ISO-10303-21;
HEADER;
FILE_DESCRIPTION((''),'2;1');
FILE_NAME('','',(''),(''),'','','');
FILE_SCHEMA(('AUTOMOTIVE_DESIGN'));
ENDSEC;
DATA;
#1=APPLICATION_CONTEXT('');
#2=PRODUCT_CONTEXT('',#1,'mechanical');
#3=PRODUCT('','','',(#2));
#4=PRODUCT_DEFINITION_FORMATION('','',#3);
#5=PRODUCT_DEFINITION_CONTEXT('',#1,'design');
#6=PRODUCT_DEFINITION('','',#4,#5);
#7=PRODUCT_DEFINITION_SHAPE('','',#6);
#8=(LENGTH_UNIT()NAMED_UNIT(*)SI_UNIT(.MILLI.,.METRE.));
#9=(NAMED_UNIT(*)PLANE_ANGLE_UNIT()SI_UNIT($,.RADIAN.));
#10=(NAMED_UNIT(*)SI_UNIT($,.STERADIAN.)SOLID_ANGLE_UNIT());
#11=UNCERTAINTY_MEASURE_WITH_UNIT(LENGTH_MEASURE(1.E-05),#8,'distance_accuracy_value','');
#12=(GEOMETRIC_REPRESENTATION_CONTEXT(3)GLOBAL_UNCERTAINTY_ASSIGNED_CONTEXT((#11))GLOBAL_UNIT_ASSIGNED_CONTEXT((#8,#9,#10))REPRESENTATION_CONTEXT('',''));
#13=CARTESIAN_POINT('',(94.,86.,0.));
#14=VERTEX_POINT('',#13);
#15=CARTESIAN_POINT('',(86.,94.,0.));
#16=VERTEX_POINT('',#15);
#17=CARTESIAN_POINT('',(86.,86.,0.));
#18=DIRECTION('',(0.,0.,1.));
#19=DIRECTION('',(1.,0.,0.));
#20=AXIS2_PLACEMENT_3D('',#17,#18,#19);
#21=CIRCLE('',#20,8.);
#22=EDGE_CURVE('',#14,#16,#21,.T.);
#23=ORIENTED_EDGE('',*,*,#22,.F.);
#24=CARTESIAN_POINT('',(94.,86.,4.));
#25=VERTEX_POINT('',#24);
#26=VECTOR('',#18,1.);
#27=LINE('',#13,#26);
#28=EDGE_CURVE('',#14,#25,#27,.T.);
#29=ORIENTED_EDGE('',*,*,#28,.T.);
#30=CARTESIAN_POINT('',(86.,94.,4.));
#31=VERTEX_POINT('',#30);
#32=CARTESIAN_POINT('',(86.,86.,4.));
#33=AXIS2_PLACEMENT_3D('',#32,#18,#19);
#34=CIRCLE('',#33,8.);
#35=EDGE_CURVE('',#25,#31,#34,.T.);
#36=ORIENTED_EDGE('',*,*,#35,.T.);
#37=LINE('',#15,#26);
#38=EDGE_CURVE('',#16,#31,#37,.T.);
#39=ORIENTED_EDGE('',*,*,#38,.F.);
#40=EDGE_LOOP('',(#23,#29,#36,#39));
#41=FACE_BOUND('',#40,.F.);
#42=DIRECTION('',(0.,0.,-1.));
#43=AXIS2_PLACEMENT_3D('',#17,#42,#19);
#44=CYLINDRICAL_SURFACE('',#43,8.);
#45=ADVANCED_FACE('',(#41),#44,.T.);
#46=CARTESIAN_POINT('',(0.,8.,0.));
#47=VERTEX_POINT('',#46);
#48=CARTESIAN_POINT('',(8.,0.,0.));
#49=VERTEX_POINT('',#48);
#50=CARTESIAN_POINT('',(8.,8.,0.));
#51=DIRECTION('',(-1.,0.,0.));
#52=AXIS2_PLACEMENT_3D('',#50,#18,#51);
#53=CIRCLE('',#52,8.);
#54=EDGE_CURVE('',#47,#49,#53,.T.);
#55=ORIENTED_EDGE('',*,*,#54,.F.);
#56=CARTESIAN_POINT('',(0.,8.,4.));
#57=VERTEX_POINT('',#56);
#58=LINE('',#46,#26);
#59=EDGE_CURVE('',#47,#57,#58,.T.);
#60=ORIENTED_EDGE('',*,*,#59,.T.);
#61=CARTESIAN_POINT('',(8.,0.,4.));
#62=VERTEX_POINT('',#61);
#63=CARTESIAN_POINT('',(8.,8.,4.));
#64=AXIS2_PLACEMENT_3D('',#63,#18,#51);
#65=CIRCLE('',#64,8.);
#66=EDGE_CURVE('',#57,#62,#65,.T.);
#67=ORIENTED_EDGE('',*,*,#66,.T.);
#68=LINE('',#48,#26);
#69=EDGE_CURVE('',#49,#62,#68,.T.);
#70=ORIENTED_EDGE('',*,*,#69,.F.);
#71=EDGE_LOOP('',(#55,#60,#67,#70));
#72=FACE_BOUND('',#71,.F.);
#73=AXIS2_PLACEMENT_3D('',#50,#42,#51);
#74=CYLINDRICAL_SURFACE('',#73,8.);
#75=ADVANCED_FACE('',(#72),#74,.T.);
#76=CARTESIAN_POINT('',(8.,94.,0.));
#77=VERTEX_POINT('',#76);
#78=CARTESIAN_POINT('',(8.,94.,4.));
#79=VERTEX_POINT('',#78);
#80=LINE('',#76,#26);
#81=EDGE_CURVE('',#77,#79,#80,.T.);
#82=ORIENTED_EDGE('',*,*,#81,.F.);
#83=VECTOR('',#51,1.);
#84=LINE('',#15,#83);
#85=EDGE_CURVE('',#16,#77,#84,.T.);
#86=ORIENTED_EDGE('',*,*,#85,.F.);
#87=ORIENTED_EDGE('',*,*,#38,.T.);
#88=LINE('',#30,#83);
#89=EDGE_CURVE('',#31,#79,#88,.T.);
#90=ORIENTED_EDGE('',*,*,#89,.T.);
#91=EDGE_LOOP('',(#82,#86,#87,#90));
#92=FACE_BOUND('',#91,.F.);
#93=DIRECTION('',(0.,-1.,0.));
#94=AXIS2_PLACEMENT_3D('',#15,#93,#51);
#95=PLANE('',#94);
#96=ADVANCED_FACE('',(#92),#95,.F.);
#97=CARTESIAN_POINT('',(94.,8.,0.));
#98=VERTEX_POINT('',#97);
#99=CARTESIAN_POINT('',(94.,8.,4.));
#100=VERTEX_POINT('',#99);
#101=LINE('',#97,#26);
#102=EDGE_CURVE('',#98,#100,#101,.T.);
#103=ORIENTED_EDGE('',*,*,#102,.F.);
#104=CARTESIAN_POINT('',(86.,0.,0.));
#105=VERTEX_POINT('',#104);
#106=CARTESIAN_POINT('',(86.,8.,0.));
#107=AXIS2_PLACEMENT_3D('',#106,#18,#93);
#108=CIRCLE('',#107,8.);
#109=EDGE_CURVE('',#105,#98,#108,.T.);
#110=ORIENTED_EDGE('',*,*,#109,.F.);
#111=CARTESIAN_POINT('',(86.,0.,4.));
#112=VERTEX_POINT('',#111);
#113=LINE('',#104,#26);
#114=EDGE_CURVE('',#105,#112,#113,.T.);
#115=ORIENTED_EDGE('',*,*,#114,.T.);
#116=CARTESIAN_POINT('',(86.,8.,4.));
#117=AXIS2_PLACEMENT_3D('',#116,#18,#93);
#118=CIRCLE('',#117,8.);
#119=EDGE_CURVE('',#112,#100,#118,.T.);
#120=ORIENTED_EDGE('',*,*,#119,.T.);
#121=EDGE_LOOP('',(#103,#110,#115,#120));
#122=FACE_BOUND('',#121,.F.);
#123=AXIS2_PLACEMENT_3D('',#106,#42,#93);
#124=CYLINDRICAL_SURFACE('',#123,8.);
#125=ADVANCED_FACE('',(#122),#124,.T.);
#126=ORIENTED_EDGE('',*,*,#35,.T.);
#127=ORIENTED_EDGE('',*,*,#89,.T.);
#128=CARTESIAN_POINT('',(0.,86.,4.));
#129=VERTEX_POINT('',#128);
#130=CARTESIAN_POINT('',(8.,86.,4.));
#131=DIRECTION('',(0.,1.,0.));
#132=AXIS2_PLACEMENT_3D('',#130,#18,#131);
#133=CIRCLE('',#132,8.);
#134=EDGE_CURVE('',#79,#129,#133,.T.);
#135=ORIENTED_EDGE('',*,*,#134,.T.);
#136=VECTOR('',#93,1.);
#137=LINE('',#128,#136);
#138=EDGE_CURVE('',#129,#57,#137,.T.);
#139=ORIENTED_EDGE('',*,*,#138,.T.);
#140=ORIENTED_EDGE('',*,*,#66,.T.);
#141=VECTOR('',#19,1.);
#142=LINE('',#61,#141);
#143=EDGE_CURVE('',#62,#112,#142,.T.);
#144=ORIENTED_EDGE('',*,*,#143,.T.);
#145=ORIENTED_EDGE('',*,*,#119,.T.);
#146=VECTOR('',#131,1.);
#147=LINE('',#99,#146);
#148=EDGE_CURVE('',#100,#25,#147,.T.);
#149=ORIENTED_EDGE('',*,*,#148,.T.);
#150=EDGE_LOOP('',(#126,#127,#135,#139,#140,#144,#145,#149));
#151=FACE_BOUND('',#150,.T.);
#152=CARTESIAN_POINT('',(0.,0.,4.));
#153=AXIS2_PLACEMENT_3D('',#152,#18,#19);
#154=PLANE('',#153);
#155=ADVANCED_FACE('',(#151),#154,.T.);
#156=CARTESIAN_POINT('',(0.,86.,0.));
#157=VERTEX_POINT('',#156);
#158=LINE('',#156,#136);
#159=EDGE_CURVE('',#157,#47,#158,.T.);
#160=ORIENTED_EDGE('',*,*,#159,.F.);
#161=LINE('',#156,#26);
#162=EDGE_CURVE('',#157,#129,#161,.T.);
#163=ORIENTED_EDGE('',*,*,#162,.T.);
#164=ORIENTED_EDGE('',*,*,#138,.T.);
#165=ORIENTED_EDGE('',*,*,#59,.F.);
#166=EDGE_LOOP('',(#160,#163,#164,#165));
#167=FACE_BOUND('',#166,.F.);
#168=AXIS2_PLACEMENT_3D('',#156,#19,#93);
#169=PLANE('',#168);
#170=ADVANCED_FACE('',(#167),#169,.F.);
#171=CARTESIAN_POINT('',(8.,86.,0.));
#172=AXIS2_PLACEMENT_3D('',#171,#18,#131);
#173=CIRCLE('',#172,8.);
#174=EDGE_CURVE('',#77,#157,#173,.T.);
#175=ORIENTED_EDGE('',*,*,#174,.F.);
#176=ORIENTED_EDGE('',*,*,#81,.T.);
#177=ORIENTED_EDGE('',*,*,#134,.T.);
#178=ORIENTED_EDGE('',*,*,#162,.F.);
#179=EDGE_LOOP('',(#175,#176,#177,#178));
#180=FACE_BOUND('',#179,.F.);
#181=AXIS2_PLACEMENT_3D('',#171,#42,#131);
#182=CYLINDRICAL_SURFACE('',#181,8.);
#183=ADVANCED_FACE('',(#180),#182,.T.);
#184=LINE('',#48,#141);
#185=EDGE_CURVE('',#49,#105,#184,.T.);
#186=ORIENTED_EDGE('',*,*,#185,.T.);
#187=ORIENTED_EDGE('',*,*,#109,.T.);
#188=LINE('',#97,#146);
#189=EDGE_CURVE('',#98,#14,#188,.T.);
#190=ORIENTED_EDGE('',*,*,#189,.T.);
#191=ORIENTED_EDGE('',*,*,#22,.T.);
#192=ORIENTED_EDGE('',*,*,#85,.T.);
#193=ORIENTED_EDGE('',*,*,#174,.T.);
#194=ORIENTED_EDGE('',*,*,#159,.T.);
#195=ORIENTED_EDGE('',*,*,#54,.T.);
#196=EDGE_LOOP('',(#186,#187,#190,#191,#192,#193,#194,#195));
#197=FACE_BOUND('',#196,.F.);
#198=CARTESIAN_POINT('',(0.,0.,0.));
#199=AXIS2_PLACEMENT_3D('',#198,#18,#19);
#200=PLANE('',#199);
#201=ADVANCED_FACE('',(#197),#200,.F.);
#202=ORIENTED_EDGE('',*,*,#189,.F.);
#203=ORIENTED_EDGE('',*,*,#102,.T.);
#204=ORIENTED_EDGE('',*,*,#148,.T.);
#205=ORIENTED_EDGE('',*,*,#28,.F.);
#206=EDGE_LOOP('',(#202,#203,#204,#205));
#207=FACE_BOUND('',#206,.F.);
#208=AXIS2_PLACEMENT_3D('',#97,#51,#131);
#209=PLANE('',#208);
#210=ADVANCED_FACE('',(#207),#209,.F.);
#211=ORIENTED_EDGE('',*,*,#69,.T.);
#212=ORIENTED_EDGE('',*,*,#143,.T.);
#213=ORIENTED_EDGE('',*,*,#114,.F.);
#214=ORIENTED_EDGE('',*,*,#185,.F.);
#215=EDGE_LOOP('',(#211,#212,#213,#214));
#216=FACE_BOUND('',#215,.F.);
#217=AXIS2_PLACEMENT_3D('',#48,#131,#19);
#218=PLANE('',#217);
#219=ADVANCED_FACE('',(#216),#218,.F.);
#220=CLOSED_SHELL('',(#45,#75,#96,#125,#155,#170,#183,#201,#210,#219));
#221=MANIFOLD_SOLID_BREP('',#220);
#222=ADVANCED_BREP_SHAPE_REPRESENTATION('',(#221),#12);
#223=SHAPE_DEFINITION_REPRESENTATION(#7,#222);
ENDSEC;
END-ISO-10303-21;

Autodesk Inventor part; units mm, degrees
ref_plane "YZ Plane" through (0, 0, 0) normal (1, 0, 0) x (0, 1, 0)
ref_plane "XZ Plane" through (0, 0, 0) normal (0, 1, 0) x (-1, 0, 0)
ref_plane "XY Plane" through (0, 0, 0) normal (0, 0, 1) x (1, 0, 0)
sketch "Sketch1" plane through (0, 0, 0) normal (0, 0, 1) x (1, 0, 0)
  line L0 (8, 0) -> (86, 0)
  line L1 (94, 8) -> (94, 86)
  line L2 (86, 94) -> (8, 94)
  line L3 (0, 86) -> (0, 8)
  arc A0 (8, 94) -> (0, 86) centre (8, 86) ccw
  arc A1 (94, 86) -> (86, 94) centre (86, 86) ccw
  arc A2 (86, 0) -> (94, 8) centre (86, 8) ccw
  arc A3 (0, 8) -> (8, 0) centre (8, 8) ccw
  point P0 (0, 0)
  point P1 (94, 94)
  point P2 (94, 0)
  point P3 (0, 94)
  dimension "d0" = 94
  dimension "d1" = 94
  dimension "d2" = 8
  dimension "d3" = 8
extrude "Extrusion1" add sketch "Sketch1" along normal blind 4
properties part number "PistonFeederHeadInnerMini" material "Stainless Steel"
